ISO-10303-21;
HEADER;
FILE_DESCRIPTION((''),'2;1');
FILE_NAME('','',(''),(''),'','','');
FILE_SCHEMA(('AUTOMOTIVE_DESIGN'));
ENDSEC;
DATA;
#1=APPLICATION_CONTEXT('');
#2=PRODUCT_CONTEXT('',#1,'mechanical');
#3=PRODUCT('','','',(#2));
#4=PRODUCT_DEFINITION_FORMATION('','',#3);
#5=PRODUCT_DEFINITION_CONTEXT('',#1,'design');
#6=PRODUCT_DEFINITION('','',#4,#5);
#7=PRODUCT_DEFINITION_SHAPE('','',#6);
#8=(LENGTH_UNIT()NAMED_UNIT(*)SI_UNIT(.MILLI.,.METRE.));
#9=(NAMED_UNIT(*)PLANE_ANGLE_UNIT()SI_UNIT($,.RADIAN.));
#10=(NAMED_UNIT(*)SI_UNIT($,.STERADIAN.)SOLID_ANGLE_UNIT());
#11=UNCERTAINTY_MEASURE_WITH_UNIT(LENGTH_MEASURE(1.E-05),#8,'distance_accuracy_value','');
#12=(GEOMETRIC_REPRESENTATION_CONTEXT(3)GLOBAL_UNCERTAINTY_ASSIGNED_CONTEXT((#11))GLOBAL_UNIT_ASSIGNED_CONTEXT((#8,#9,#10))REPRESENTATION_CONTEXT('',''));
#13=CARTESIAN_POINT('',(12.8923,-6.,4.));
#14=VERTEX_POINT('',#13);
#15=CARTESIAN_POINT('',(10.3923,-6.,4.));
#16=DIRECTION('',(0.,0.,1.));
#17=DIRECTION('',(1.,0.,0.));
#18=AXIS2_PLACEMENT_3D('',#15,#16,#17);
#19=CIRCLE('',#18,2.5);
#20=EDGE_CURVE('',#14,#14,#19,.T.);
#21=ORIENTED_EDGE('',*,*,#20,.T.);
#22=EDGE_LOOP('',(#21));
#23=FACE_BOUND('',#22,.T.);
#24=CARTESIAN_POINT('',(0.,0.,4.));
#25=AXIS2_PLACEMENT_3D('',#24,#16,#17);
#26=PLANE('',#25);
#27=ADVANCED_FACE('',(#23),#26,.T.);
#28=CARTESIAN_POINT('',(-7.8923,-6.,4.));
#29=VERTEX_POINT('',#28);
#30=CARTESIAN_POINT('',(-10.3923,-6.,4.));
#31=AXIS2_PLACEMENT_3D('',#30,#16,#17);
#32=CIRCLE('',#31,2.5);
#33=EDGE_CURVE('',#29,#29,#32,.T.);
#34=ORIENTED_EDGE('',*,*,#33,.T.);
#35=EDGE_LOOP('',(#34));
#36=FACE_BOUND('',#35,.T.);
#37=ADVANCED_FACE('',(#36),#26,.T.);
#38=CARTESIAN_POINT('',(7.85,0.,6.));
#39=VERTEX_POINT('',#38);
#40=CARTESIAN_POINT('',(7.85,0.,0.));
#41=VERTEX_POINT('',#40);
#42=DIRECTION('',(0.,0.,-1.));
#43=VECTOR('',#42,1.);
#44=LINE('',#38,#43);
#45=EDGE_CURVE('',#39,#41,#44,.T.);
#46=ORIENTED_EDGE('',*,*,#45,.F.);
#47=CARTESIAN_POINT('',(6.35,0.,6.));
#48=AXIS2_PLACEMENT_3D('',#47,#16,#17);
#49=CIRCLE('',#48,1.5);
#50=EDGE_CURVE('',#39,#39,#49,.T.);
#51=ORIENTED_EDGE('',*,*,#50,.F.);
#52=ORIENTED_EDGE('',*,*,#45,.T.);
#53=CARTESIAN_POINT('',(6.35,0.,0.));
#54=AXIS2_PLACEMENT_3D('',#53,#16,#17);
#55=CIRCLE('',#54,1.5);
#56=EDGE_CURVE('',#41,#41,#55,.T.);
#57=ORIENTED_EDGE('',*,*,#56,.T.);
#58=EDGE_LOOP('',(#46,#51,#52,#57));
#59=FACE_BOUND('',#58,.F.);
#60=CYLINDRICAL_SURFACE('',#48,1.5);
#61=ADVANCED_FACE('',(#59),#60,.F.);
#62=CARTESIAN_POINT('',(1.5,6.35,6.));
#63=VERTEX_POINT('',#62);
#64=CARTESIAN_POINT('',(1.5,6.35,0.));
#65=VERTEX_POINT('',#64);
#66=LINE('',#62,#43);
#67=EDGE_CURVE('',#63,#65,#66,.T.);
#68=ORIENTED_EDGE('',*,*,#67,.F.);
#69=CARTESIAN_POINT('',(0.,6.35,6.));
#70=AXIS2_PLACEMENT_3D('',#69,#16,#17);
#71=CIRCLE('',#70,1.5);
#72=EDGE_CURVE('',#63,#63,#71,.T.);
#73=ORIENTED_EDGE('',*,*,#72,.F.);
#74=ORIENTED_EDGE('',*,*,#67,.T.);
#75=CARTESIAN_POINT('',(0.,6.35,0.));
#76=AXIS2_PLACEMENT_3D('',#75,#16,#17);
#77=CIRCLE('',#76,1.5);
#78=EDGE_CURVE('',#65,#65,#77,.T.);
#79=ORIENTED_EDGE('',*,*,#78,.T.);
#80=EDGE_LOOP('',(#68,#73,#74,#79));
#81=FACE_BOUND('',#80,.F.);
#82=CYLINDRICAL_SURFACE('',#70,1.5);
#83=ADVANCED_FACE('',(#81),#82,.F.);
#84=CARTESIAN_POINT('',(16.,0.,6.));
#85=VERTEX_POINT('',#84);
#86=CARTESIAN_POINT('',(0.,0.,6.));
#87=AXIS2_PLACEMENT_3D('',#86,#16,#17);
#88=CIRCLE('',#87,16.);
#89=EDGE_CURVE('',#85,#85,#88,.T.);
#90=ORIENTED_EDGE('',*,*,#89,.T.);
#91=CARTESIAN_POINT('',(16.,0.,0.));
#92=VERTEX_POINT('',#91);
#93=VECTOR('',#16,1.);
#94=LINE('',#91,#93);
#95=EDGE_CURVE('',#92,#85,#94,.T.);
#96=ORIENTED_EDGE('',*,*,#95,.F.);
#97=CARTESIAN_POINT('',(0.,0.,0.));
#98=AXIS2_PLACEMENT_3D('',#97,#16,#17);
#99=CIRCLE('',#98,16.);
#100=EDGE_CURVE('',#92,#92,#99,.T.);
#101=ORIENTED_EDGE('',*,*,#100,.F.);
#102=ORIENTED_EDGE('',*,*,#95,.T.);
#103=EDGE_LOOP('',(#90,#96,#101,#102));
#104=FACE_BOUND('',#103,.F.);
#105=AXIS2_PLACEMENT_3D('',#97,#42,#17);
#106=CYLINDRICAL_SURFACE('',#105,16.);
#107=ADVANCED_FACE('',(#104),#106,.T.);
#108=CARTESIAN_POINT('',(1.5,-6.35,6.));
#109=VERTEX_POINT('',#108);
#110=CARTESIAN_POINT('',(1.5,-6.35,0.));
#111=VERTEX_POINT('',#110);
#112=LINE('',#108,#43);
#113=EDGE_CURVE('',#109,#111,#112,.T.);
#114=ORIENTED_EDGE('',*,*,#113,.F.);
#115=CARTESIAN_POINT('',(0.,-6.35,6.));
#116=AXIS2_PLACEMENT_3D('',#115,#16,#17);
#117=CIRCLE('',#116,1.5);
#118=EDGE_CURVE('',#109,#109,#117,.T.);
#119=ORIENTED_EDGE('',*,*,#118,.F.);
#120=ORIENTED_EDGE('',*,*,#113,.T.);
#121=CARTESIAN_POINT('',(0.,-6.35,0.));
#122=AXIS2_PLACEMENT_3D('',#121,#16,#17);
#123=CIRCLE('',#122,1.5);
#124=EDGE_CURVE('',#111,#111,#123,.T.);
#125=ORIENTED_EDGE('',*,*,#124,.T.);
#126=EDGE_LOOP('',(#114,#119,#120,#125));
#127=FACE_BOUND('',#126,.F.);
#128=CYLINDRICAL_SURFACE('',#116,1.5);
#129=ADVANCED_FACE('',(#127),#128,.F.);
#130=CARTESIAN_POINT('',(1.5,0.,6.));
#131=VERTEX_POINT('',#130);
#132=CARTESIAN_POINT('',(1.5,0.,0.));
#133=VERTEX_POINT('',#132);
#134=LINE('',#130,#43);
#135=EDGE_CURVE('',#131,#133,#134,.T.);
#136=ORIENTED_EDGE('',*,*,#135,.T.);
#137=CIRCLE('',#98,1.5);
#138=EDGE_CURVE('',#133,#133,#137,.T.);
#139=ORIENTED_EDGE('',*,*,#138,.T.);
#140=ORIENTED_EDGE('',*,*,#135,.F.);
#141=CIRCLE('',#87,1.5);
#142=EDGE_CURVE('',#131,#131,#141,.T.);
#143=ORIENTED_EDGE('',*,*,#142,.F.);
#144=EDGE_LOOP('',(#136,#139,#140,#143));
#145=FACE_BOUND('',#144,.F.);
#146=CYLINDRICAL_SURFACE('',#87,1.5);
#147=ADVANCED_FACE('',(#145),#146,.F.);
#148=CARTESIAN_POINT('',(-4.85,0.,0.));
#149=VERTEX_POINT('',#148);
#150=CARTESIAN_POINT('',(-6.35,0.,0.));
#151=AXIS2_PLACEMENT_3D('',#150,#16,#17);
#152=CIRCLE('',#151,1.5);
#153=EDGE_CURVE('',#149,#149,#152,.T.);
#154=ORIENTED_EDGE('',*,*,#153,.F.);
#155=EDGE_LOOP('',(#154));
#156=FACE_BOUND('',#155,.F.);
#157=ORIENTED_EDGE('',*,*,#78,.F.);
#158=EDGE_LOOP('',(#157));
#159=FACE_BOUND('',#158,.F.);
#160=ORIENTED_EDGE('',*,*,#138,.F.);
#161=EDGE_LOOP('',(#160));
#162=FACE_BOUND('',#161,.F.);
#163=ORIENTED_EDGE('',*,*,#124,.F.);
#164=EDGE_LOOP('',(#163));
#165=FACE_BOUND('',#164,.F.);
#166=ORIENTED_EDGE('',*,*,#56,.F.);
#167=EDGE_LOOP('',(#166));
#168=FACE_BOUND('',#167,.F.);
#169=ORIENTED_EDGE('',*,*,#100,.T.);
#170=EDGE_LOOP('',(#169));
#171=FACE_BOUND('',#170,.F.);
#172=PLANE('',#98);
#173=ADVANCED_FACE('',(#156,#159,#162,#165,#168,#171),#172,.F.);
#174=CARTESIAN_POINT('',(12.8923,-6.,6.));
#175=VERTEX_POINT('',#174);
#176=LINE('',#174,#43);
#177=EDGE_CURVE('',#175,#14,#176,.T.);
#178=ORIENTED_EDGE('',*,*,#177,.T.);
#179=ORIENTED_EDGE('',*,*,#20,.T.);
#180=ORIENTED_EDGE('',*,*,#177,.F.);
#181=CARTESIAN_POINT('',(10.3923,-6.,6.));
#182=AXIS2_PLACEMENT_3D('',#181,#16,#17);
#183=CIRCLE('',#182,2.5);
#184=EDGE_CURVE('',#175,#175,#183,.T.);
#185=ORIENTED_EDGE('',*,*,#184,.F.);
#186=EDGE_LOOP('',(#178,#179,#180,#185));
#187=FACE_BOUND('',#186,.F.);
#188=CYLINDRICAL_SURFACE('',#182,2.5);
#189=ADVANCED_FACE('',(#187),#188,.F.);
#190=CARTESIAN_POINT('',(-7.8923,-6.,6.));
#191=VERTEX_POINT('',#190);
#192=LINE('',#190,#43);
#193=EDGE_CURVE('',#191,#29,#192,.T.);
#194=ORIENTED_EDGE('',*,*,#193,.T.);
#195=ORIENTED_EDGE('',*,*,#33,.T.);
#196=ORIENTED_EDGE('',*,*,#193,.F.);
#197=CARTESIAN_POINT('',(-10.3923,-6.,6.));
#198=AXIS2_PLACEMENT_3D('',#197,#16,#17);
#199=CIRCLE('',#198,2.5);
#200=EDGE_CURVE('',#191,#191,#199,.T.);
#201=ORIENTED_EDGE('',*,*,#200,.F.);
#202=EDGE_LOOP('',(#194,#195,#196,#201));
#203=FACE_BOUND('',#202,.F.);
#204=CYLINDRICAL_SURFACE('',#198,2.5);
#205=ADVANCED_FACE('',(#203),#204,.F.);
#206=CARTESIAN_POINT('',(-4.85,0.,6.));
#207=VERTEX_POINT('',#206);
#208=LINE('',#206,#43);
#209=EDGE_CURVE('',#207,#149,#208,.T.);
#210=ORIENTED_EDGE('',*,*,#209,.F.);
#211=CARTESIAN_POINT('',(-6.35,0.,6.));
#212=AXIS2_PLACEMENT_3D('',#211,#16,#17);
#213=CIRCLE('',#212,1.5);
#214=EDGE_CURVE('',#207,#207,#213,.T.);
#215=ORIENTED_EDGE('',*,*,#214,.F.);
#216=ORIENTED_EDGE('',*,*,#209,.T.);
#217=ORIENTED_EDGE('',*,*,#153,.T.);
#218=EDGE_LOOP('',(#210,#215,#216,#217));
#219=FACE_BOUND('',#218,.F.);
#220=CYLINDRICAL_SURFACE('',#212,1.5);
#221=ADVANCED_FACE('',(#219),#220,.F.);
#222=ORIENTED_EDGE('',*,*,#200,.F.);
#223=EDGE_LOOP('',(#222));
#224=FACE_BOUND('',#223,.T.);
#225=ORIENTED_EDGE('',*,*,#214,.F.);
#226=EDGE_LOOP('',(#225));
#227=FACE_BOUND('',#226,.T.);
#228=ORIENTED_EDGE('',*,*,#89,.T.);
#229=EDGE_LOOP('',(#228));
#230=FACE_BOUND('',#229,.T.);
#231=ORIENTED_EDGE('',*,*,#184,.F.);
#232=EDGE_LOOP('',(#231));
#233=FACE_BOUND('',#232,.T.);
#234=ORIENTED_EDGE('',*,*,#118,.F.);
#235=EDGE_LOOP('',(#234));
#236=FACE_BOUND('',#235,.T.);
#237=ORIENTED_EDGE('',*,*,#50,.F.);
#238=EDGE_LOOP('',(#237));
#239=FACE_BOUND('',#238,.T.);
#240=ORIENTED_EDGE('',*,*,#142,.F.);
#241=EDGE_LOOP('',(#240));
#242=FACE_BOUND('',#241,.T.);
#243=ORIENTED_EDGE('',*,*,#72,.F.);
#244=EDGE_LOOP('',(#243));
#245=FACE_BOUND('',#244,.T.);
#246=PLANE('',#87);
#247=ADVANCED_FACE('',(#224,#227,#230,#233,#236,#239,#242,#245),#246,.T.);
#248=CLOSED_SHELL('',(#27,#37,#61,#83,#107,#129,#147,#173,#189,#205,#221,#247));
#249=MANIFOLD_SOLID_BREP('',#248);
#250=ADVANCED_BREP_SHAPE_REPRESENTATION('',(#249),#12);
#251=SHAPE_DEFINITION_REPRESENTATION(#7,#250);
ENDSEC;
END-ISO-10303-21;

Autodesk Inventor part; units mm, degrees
ref_plane "YZ Plane" through (0, 0, 0) normal (1, 0, 0) x (0, 1, 0)
ref_plane "XZ Plane" through (0, 0, 0) normal (0, 1, 0) x (-1, 0, 0)
ref_plane "XY Plane" through (0, 0, 0) normal (0, 0, 1) x (1, 0, 0)
sketch "Sketch1" plane through (0, 0, 0) normal (0, 0, 1) x (1, 0, 0)
  circle A0 centre (0, 0) radius 16
  dimension "d0" = 32
extrude "Extrusion1" add sketch "Sketch1" along normal blind 6
sketch "Sketch2" plane through (0, 0, 6) normal (0, 0, 1) x (1, 0, 0)
  circle A0 centre (-10.3923, -6) radius 2.5
  circle A1 centre (10.3923, -6) radius 2.5
  circle A2 centre (0, 0) radius 12 construction
  line L0 (-10.3923, -6) -> (0, 0) construction
  line L1 (0, 0) -> (10.3923, -6) construction
  line L2 (0, 0) -> (0, 12) construction
  dimension "d3" = 120
  dimension "d4" = 5
  dimension "d5" = 24
sketch "Sketch3" plane through (0, 0, 6) normal (0, 0, 1) x (1, 0, 0)
  circle A0 centre (0, 0) radius 1.5
  circle A1 centre (0, 6.35) radius 1.5
  circle A2 centre (0, 0) radius 6.35 construction
  circle A3 centre (-6.35, 0) radius 1.5
  circle A4 centre (0, -6.35) radius 1.5
  circle A5 centre (6.35, 0) radius 1.5
  dimension "d8" = 3
  dimension "d13" = 3
  dimension "d14" = 6.35
  dimension "d17" = 360
extrude "Extrusion3" cut sketch "Sketch3" against normal up to next
extrude "Extrusion4" cut sketch "Sketch2" against normal blind 2
properties part number "slider_wheel"
